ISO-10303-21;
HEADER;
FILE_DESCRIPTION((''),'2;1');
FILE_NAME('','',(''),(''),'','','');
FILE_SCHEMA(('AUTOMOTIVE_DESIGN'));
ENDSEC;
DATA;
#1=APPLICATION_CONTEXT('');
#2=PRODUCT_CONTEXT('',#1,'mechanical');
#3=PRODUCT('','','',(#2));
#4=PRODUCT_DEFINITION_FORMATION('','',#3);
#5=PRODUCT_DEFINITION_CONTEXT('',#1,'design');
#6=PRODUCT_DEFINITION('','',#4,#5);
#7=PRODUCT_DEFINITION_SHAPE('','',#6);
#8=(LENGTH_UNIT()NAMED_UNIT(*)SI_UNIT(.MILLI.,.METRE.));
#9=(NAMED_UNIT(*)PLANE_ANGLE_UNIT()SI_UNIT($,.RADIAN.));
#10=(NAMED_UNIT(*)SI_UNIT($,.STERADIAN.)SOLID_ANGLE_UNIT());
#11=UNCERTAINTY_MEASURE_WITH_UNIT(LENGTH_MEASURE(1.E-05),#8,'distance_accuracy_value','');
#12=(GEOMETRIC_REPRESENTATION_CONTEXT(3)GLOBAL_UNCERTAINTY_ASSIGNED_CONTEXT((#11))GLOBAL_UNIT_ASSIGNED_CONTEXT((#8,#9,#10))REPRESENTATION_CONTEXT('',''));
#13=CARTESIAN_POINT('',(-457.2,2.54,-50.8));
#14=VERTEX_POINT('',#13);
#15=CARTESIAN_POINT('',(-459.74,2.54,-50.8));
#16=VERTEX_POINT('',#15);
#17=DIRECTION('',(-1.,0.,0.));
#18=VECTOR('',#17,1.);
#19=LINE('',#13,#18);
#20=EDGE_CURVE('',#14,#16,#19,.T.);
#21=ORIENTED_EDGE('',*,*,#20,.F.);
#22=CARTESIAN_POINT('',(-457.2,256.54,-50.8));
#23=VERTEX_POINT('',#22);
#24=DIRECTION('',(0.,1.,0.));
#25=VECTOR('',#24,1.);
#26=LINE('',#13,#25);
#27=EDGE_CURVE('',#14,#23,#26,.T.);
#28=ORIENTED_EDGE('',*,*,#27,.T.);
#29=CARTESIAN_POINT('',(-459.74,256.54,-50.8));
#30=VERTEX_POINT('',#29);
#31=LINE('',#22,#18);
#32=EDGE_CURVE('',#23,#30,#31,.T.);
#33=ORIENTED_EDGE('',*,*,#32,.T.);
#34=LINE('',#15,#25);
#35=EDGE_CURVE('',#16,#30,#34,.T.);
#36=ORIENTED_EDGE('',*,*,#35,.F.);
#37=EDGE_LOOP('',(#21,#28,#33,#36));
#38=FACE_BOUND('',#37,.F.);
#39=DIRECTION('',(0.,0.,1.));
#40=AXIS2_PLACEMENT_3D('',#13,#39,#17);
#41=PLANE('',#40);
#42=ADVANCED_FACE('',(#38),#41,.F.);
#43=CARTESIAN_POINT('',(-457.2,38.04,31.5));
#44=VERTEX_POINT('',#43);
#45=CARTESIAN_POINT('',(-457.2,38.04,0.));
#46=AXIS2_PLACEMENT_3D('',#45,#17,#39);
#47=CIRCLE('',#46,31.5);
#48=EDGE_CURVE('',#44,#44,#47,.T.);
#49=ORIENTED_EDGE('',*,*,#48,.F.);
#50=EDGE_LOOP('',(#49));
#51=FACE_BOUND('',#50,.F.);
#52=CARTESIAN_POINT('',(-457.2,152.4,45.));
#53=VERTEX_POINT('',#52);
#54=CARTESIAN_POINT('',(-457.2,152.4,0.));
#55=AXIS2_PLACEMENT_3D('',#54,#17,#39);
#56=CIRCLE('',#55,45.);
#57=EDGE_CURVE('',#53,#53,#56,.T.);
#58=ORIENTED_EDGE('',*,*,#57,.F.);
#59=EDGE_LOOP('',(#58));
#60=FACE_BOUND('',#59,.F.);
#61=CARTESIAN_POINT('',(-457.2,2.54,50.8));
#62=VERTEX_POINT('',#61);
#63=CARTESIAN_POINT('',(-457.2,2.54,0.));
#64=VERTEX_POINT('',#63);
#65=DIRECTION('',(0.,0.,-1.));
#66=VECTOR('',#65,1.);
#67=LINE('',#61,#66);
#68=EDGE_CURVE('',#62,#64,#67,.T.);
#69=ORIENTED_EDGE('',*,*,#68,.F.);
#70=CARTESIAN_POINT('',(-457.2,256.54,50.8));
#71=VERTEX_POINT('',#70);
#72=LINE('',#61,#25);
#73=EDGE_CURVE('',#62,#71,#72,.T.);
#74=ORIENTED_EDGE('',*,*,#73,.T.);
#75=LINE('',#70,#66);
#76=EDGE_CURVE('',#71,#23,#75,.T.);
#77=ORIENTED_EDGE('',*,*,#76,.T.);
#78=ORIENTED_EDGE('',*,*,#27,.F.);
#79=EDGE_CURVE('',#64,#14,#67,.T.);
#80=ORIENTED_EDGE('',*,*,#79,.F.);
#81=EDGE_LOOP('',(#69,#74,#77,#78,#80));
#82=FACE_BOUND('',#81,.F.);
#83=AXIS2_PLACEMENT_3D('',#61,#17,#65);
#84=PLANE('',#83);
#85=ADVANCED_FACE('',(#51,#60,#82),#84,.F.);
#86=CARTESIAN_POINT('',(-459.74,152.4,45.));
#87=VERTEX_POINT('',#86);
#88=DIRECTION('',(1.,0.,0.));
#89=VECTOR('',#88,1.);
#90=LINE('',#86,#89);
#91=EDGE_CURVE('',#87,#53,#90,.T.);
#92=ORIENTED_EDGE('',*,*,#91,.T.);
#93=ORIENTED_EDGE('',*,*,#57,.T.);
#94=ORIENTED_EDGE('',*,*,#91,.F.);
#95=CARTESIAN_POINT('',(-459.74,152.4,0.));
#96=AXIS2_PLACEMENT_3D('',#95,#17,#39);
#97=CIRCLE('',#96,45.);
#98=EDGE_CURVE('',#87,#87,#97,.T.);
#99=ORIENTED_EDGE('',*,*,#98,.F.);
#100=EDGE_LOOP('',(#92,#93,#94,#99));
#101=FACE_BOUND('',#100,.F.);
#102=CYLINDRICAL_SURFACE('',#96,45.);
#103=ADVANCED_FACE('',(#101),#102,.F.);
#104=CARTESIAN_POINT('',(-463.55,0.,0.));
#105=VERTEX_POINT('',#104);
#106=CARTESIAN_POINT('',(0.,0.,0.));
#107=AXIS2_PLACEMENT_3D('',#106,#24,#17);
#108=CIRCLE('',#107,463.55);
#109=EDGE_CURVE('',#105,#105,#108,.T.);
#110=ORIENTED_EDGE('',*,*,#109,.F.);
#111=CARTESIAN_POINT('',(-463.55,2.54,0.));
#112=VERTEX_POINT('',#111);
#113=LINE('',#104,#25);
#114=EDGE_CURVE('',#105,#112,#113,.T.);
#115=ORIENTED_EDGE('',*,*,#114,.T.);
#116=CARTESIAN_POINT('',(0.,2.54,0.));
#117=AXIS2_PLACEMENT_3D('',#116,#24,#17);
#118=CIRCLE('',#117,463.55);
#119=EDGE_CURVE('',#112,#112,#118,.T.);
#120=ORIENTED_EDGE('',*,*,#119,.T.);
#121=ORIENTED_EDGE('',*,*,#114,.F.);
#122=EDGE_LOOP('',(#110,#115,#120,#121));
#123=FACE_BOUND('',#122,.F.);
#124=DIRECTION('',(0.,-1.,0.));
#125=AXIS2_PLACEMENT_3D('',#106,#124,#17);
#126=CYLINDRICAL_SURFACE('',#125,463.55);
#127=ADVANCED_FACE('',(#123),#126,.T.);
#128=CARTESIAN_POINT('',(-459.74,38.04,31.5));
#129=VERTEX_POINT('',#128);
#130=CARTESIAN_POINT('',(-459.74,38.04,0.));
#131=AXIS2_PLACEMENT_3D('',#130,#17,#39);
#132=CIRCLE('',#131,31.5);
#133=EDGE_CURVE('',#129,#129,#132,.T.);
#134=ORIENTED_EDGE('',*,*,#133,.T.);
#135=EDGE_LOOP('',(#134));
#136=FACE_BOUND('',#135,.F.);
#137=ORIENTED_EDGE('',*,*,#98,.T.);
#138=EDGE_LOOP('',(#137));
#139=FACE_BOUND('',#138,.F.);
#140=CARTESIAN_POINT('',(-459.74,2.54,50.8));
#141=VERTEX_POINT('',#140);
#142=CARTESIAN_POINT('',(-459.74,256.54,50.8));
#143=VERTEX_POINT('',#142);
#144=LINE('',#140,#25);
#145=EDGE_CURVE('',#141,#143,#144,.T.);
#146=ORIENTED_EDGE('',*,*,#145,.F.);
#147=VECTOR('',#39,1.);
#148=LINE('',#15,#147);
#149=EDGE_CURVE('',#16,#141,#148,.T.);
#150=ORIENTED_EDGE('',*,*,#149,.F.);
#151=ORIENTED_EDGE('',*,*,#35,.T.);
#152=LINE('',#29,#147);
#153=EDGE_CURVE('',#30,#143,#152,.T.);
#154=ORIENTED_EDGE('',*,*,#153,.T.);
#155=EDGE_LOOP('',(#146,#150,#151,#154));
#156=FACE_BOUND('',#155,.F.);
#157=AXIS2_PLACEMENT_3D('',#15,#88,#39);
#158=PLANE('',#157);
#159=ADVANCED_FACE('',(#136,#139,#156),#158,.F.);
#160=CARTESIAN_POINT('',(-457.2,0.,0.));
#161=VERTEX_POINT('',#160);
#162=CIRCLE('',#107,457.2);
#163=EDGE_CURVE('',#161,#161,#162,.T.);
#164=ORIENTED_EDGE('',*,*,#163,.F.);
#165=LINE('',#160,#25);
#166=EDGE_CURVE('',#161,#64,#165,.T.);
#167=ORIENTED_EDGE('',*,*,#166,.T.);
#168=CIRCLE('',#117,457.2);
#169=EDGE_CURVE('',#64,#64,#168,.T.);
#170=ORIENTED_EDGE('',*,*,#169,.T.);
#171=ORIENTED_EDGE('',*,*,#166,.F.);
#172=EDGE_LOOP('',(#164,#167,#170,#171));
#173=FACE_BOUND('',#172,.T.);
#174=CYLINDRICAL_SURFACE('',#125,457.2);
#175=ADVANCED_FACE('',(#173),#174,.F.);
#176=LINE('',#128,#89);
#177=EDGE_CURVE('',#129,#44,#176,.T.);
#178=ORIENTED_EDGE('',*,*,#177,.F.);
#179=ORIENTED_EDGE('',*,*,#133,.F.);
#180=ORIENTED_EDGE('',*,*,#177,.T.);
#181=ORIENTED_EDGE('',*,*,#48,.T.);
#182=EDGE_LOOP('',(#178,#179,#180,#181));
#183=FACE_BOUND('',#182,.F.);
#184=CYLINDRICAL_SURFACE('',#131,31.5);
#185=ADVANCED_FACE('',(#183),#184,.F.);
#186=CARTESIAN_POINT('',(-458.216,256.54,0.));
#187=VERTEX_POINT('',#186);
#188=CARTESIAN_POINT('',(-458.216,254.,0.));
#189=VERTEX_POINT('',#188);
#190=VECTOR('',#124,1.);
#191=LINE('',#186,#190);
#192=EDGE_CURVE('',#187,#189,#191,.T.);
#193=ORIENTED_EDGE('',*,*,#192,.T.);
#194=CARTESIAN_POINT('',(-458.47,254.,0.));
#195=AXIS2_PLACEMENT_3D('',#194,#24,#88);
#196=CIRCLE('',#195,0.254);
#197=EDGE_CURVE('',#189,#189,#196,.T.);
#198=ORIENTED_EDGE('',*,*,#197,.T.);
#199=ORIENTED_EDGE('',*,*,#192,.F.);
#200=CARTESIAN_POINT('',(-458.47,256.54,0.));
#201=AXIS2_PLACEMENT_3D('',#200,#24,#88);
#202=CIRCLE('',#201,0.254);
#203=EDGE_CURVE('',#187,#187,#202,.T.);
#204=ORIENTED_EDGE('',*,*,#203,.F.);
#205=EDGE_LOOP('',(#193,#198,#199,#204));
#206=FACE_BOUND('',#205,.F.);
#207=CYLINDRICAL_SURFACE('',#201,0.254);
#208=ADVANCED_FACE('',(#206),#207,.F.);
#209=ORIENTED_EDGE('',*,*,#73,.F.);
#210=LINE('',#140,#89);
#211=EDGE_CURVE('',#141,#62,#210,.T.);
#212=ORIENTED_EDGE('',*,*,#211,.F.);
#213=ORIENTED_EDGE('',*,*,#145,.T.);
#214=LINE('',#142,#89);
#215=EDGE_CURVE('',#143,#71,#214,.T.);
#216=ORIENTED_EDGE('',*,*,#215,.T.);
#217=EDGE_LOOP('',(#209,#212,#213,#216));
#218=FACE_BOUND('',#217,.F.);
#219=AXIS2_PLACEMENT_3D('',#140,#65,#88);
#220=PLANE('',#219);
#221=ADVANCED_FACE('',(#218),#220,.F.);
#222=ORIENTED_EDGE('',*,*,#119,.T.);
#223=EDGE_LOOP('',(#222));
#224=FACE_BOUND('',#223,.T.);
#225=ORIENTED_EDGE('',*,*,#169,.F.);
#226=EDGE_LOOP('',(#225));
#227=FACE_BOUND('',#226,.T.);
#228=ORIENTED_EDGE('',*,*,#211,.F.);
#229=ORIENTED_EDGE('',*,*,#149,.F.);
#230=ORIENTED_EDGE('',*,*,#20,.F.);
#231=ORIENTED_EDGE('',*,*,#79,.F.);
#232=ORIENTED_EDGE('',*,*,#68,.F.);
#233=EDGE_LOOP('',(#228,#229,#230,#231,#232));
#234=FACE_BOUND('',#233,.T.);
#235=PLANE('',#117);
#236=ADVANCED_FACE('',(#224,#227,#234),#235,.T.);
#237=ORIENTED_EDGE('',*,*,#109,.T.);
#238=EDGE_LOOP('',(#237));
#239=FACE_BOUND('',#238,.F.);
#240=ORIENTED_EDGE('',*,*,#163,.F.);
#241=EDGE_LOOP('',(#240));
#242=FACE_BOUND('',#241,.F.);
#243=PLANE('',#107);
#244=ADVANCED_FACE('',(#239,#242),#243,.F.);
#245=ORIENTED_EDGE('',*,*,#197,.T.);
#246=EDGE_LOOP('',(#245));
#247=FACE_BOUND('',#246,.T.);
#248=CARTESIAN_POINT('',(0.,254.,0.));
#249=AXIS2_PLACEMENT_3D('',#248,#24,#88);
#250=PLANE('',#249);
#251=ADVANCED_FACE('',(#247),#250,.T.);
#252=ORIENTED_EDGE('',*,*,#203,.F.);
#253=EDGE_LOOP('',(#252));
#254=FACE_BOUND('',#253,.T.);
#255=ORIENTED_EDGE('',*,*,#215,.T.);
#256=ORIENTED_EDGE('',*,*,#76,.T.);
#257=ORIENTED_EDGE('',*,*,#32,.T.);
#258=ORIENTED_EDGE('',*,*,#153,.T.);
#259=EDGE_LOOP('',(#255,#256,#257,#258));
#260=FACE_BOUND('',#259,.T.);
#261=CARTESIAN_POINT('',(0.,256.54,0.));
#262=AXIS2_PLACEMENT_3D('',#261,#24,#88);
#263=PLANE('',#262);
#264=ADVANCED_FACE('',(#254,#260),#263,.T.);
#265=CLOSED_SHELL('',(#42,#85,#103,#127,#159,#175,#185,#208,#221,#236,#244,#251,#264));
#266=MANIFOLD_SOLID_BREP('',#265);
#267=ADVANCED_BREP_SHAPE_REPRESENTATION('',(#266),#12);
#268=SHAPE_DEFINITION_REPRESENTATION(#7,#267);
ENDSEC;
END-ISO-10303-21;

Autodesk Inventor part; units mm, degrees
ref_plane "YZ Plane" through (0, 0, 0) normal (1, 0, 0) x (0, 1, 0)
ref_plane "XZ Plane" through (0, 0, 0) normal (0, 1, 0) x (-1, 0, 0)
ref_plane "XY Plane" through (0, 0, 0) normal (0, 0, 1) x (1, 0, 0)
sketch "Sketch1" plane through (0, 0, 0) normal (0, 1, 0) x (-1, 0, 0)
  circle A0 centre (0, 0) radius 457.2
  circle A1 centre (0, 0) radius 463.55
  dimension "d0" = 914.4
  dimension "d1" = 6.35
extrude "Extrusion1" add sketch "Sketch1" along normal blind 2.54
sketch "Sketch2" plane through (0, 2.54, 0) normal (0, 1, 0) x (1, 0, 0)
  line L0 (-459.74, -50.8) -> (-457.2, -50.8)
  line L1 (-457.2, -50.8) -> (-457.2, 50.8)
  line L2 (-457.2, 50.8) -> (-459.74, 50.8)
  line L3 (-459.74, 50.8) -> (-459.74, -50.8)
  line L4 (-459.74, 0) -> (-457.2, 0) construction
  dimension "d4" = 2.54
  dimension "d5" = 101.6
extrude "Extrusion2" add sketch "Sketch2" along normal blind 254
sketch "Sketch3" plane through (0, 256.54, 0) normal (0, 1, 0) x (1, 0, 0)
  circle A0 centre (-458.47, 0) radius 0.254
  point P0 (0, 0)
  dimension "d8" = 0.508
extrude "Extrusion3" cut sketch "Sketch3" against normal blind 2.54
sketch "Sketch4" plane through (-459.74, 2.54, -50.8) normal (-1, 0, 0) x (0, 0, 1)
  line L0 (0, 254) -> (101.6, 254) projected
  circle A0 centre (50.8, 149.86) radius 45
  circle A1 centre (50.8, 35.5) radius 31.5
  point P0 (50.8, -2.54)
  dimension "d11" = 90
  dimension "d12" = 104.14
  dimension "d13" = 63
  dimension "d14" = 218.5
extrude "Extrusion4" cut sketch "Sketch4" against normal through all
equation "\"d0\" = hubOuterDiam"
equation "\"d11\" = sleeveOD"
equation "\"d13\" = sparOD"
equation "\"hubOuterDiam\" = 914.4"
equation "\"hubInnerDiam\" = 0.5 * hubOuterDiam"
equation "\"sleeveOD\" = 90"
equation "\"sparOD\" = 63"
properties part number "hubGuideRingOuter" material "Gold"
